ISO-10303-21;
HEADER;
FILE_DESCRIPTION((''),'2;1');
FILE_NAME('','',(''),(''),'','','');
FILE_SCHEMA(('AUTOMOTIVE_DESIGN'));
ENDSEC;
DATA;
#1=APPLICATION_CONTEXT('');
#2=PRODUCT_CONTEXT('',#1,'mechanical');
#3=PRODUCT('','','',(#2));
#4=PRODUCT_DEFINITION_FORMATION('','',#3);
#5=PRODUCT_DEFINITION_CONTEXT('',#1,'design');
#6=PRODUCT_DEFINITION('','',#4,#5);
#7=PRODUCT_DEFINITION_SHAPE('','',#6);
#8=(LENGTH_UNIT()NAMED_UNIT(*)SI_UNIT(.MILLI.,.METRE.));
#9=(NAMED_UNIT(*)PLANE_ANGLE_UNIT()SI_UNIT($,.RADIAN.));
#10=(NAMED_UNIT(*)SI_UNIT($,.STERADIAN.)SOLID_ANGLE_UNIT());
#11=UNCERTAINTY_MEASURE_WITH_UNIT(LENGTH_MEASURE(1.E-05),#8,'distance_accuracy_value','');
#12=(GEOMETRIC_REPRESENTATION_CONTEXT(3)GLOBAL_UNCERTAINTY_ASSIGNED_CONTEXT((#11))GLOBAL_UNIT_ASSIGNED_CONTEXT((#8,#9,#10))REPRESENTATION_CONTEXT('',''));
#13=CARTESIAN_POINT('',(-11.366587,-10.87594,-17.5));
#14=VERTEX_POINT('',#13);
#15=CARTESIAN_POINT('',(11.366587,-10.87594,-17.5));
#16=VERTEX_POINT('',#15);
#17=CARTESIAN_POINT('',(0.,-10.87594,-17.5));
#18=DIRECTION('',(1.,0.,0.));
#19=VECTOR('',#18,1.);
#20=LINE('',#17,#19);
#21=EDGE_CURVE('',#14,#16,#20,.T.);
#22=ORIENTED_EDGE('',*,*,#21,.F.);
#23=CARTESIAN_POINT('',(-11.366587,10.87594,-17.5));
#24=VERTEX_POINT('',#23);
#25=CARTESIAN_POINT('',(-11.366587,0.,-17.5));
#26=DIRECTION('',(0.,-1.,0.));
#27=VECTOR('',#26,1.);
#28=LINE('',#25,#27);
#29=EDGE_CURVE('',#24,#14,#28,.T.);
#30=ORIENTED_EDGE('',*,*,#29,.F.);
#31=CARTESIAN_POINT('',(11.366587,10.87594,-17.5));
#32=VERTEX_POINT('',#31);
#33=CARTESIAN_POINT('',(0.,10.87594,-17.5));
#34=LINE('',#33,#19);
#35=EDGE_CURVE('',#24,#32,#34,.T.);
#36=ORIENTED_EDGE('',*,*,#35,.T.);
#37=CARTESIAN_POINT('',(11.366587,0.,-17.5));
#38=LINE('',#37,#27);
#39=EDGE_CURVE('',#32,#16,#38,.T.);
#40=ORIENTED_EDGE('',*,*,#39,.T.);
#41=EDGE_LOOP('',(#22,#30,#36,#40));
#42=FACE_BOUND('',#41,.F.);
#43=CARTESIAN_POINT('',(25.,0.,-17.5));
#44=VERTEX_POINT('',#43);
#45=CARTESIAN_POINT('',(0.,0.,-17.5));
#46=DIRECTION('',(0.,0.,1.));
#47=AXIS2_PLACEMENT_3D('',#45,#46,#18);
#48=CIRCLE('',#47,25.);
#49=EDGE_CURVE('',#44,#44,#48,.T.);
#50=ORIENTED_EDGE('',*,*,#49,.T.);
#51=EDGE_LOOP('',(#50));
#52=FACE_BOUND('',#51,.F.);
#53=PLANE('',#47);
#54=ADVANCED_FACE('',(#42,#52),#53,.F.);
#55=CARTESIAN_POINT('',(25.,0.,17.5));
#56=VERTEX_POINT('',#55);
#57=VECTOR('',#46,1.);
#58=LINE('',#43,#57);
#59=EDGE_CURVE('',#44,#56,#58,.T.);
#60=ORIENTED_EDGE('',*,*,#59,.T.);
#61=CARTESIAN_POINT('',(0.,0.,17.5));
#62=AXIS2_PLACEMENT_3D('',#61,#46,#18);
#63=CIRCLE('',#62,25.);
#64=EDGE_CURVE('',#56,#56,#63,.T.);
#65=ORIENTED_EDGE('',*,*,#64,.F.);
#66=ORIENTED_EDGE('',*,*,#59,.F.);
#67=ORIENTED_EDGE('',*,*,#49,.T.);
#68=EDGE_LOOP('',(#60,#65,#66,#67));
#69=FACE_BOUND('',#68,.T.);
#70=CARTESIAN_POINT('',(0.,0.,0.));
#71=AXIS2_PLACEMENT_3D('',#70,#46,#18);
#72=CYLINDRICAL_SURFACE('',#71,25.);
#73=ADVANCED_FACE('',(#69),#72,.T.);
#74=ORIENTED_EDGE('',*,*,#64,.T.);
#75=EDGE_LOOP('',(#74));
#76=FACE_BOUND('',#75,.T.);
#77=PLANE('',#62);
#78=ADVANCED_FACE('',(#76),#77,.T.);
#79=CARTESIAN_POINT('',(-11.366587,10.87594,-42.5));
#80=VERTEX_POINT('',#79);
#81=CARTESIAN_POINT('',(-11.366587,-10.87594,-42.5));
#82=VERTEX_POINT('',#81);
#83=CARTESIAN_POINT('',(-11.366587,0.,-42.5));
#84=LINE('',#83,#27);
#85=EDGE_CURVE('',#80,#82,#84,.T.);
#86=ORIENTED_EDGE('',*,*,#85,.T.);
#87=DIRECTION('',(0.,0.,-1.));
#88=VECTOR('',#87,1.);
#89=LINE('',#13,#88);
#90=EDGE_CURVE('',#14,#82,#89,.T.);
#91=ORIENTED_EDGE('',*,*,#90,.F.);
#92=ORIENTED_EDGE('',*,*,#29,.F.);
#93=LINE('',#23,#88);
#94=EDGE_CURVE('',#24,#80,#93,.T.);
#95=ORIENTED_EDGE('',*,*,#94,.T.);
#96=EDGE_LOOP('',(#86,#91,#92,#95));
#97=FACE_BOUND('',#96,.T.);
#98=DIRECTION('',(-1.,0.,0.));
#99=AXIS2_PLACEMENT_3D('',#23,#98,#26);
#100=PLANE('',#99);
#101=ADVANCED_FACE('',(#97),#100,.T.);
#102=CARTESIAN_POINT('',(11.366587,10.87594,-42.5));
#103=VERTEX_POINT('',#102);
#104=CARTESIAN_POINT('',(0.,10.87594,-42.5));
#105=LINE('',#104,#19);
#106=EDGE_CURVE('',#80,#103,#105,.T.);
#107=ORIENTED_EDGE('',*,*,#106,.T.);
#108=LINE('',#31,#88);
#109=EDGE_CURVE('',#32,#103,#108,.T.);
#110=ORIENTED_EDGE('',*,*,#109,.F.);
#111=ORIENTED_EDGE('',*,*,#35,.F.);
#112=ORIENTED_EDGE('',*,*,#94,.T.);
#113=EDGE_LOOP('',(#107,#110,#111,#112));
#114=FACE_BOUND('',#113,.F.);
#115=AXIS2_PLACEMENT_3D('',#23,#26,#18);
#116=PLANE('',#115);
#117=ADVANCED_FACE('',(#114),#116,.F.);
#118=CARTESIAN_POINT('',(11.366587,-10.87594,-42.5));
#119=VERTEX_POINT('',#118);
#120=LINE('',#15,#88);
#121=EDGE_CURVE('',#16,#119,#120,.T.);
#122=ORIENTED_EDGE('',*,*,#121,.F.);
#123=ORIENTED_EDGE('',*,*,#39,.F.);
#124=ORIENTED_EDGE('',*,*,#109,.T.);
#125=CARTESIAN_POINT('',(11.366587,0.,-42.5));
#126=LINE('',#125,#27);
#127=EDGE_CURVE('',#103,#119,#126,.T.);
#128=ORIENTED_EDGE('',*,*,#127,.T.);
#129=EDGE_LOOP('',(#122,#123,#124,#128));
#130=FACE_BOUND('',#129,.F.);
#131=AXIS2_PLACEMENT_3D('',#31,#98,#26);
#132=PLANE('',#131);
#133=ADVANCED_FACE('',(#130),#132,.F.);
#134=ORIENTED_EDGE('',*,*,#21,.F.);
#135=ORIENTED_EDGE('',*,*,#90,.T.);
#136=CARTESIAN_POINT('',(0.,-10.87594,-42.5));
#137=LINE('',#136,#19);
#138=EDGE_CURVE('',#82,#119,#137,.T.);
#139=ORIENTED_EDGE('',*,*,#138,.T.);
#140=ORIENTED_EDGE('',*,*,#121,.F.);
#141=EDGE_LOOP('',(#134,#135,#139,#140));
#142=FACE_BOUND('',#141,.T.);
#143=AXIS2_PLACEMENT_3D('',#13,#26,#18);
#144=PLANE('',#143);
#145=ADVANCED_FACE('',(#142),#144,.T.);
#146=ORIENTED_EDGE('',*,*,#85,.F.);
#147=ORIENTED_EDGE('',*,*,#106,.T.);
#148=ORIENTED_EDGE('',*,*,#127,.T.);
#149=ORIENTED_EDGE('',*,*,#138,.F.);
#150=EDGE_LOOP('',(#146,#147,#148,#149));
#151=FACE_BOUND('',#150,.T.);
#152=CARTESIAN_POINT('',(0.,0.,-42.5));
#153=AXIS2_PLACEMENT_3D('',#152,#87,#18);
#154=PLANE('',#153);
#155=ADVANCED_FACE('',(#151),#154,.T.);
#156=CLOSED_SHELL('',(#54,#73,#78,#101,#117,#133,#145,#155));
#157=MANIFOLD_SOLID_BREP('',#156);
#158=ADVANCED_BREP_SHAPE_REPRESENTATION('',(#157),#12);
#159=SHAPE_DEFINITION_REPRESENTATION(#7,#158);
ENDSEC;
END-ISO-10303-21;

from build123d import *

# Parameters (mm, degrees)
F0_R     = 25
F1_DEPTH = 17.5
F2_W     = 22.7331742644
F2_H     = 21.7518806458
F3_DEPTH = 25


with BuildPart() as f1:
    # F0 (on Top) → F1 (new body, symmetric)
    with BuildSketch(Plane.XY):
        Circle(F0_R)
    extrude(amount=F1_DEPTH, both=True)

    # F2 (on face) → F3 (join)
    with BuildSketch(Plane(origin=(0, 0, -17.5), x_dir=(1, 0, 0), z_dir=(0, 0, -1))):
        Rectangle(F2_W, F2_H)
    extrude(amount=F3_DEPTH)


solid = f1.part
